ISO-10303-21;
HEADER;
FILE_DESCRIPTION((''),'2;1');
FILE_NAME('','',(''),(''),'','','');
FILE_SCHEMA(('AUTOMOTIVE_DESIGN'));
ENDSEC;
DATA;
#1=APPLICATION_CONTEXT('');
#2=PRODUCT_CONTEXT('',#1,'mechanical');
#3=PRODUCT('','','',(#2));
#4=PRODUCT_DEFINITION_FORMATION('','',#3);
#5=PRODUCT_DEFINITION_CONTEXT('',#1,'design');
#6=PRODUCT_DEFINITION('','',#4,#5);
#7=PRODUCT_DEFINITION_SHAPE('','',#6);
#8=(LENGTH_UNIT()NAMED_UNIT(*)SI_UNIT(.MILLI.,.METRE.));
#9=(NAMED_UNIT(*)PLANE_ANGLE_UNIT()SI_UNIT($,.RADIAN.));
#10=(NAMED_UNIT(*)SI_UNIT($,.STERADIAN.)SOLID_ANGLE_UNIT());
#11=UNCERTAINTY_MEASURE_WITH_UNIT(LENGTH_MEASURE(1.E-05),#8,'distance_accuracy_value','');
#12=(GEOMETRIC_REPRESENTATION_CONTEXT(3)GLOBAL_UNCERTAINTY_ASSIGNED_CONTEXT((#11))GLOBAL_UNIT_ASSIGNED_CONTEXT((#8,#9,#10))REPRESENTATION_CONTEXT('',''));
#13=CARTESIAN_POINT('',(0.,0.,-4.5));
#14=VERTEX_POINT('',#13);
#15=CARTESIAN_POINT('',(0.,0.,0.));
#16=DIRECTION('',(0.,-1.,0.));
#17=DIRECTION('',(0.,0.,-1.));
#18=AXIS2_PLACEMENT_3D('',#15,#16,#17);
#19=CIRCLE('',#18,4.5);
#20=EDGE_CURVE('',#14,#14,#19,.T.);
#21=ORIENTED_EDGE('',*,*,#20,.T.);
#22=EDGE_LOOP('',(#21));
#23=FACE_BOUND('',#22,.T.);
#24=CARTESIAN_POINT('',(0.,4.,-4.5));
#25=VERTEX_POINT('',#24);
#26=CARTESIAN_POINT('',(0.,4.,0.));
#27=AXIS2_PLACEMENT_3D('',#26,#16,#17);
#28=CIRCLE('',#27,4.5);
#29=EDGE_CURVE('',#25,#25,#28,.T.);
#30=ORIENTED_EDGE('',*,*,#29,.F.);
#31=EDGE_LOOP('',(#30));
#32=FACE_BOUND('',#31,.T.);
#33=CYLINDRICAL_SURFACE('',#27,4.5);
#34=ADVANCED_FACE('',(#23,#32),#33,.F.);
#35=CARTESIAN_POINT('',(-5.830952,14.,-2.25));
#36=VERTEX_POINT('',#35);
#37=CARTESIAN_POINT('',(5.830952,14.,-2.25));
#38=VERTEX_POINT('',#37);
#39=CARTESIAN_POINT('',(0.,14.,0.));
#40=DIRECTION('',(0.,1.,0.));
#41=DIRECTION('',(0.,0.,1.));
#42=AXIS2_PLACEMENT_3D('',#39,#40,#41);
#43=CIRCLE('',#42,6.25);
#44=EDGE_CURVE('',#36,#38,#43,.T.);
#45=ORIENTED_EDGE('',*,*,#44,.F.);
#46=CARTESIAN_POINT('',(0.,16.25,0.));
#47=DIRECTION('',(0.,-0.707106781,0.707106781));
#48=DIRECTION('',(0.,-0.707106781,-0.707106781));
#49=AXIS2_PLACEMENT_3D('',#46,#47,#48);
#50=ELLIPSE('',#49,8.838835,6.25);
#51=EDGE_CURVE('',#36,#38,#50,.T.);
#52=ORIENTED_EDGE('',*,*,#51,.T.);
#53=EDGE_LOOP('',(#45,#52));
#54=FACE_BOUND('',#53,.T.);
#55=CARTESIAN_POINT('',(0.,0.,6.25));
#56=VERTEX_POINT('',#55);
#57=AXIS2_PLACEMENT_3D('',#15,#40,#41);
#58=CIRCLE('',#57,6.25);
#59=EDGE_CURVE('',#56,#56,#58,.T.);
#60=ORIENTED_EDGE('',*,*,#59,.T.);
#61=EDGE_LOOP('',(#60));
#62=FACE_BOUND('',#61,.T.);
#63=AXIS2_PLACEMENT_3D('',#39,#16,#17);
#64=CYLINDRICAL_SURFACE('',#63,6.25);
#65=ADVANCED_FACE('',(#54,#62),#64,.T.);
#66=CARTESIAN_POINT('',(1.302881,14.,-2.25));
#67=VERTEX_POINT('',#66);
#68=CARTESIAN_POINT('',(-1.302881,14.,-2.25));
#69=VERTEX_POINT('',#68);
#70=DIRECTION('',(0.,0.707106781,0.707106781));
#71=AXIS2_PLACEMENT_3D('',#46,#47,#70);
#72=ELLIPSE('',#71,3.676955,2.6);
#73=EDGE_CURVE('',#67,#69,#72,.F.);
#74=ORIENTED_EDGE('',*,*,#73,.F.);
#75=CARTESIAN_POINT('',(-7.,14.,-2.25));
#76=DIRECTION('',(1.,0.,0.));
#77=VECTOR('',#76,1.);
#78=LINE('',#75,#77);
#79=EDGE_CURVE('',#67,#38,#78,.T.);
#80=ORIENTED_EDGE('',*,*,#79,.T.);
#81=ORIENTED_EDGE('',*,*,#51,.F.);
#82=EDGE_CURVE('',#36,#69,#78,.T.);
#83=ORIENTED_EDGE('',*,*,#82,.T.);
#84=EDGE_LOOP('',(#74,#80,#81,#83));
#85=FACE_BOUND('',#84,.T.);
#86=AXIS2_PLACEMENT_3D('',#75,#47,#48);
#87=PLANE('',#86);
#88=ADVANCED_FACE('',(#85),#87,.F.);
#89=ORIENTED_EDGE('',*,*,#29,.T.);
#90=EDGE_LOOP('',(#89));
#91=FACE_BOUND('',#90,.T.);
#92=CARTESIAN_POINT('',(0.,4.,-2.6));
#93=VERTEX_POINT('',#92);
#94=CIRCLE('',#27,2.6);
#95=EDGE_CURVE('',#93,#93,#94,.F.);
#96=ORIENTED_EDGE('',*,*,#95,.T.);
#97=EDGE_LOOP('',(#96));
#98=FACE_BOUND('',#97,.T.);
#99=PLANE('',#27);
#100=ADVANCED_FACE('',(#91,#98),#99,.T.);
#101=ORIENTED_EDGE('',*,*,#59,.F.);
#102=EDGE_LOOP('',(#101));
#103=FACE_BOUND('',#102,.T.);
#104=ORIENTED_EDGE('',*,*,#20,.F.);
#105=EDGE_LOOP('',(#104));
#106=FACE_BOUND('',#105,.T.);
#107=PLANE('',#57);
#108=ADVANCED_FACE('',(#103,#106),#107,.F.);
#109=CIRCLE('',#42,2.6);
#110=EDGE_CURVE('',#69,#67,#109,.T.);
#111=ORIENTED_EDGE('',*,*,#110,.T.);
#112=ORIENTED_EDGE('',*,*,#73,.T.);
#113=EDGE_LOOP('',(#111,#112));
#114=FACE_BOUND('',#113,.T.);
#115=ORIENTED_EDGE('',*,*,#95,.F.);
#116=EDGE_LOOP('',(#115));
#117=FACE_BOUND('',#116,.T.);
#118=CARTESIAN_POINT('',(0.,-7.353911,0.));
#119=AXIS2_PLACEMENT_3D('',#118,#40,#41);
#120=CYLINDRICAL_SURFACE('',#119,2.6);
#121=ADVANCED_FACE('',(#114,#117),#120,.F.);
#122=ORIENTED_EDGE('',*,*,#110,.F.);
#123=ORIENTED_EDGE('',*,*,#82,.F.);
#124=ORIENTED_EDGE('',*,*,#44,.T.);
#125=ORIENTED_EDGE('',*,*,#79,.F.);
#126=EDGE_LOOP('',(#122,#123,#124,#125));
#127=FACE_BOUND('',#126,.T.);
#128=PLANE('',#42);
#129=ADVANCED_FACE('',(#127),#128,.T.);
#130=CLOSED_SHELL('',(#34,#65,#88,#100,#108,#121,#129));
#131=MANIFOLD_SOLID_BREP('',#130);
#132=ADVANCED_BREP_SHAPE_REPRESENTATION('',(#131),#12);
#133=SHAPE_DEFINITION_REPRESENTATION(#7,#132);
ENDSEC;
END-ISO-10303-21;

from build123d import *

# Parameters (mm, degrees)
SKETCH1_R           = 6.25
BOSS_EXTRUDE1_DEPTH = 14
SKETCH2_R           = 2.6
CUT_EXTRUDE1_DEPTH  = 14
CUT_EXTRUDE2_DEPTH  = 7
SKETCH4_R           = 4.5
CUT_EXTRUDE3_DEPTH  = 4


with BuildPart() as part:
    # Sketch1 → Boss-Extrude1 (new body)
    with BuildSketch(Plane(origin=(0, 0, 0), x_dir=(1, 0, 0), z_dir=(0, 1, 0))):
        Circle(SKETCH1_R)
    extrude(amount=BOSS_EXTRUDE1_DEPTH)

    # Sketch2 → Cut-Extrude1 (cut)
    with BuildSketch(Plane(origin=(0, 14, 0), x_dir=(1, 0, 0), z_dir=(0, 1, 0))):
        Circle(SKETCH2_R)
    extrude(amount=-CUT_EXTRUDE1_DEPTH, mode=Mode.SUBTRACT)

    # Sketch3 → Cut-Extrude2 (cut, symmetric)
    with BuildSketch(Plane(origin=(0, 0, 0), x_dir=(0, 0, -1), z_dir=(1, 0, 0))):
        Polygon((2.25, 14), (6.25, 10), (6.25, 14), align=None)
    extrude(amount=CUT_EXTRUDE2_DEPTH, both=True, mode=Mode.SUBTRACT)

    # Sketch4 → Cut-Extrude3 (cut)
    with BuildSketch(Plane.XZ):
        Circle(SKETCH4_R)
    extrude(amount=-CUT_EXTRUDE3_DEPTH, mode=Mode.SUBTRACT)


solid = part.part
